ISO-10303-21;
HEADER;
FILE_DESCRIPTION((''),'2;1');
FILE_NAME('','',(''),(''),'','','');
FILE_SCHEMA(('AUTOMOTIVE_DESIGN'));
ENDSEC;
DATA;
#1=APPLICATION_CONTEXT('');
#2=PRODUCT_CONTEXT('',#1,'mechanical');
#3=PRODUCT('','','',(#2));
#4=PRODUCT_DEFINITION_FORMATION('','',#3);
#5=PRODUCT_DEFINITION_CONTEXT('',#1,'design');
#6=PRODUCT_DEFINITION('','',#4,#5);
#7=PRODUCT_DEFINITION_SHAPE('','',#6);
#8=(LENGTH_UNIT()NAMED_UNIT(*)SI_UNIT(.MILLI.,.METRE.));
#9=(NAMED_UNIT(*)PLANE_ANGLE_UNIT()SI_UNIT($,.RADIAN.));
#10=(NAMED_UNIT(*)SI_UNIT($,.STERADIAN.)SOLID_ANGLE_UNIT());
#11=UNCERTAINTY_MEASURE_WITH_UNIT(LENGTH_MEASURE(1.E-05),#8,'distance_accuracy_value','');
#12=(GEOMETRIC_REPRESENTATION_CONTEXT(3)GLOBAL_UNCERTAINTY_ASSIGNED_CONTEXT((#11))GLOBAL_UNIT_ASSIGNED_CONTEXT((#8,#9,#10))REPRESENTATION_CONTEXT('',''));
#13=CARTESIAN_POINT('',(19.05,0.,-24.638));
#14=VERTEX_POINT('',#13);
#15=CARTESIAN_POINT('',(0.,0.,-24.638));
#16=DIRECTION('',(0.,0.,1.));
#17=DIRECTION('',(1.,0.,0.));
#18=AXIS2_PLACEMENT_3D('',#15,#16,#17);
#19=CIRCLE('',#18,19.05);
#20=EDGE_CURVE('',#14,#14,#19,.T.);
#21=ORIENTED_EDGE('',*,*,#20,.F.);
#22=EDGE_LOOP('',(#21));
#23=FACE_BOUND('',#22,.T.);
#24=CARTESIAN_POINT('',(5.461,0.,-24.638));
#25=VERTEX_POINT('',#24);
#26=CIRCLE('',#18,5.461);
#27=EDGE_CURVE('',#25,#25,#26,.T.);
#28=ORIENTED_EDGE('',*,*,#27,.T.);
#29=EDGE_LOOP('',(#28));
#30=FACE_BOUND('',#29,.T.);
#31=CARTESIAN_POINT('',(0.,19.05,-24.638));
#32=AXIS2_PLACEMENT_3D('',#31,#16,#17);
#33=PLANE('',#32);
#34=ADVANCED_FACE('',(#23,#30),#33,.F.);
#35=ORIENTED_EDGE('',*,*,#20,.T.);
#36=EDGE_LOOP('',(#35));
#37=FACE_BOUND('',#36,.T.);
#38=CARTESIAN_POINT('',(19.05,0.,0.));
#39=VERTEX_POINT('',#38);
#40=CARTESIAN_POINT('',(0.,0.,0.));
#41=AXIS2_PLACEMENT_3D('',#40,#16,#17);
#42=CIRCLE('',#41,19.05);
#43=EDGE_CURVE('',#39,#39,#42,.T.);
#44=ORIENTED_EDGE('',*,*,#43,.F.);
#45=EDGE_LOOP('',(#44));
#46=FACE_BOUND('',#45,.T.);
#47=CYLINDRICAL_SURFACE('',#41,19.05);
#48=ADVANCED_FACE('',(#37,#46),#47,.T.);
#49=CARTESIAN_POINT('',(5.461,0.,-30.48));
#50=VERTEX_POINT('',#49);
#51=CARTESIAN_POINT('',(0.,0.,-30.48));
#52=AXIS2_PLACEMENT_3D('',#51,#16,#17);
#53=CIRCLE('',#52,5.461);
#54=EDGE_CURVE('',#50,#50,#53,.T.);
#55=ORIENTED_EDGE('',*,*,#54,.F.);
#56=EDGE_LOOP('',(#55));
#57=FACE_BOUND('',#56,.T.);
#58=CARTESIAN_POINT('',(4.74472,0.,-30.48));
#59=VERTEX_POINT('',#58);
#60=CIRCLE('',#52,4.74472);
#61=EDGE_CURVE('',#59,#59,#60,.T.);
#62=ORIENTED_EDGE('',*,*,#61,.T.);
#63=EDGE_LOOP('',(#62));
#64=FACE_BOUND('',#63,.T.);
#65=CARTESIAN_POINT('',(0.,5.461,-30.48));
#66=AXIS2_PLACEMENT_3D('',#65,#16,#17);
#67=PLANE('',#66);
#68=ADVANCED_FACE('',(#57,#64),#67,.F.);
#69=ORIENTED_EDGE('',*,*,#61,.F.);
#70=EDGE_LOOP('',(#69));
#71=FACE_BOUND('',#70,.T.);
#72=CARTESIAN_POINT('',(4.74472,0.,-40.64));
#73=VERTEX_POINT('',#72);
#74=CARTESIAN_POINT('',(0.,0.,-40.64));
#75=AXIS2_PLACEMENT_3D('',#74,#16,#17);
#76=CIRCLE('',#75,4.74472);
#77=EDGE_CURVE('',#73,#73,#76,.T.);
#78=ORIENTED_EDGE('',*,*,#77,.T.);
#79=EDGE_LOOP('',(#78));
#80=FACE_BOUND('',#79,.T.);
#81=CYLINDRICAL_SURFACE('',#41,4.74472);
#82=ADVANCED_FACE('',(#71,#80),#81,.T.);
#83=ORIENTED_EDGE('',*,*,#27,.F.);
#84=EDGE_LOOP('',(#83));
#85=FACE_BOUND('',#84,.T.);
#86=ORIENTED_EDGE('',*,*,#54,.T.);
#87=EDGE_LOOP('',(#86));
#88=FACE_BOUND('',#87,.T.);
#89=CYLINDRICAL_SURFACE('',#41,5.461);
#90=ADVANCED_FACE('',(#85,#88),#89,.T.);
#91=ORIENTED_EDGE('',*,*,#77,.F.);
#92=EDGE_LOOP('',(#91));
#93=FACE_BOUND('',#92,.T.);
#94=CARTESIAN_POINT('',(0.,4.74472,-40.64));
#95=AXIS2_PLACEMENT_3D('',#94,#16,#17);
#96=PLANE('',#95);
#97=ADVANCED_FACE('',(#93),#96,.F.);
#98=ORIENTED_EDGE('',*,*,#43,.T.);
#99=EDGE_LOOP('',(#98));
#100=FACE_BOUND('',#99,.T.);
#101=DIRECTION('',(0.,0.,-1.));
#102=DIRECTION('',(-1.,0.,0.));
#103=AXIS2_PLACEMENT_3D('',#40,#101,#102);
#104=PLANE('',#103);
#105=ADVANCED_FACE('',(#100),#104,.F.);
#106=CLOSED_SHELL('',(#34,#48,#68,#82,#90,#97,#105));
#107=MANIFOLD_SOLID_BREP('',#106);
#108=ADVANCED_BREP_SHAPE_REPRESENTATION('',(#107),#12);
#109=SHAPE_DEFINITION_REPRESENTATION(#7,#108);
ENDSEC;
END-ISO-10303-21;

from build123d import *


with BuildPart() as part:
    # Sketch1 → Revolve1 (revolve)
    with BuildSketch(Plane(origin=(0, 0, 0), x_dir=(0, 0, -1), z_dir=(1, 0, 0))):
        Polygon((0, 0), (0, 19.05), (24.638, 19.05), (24.638, 5.461), (30.48, 5.461), (30.48, 4.74472), (40.64, 4.74472), (40.64, 0), align=None)
    revolve(axis=Axis((0, 0, 0), (0, 0, -1)))


solid = part.part
